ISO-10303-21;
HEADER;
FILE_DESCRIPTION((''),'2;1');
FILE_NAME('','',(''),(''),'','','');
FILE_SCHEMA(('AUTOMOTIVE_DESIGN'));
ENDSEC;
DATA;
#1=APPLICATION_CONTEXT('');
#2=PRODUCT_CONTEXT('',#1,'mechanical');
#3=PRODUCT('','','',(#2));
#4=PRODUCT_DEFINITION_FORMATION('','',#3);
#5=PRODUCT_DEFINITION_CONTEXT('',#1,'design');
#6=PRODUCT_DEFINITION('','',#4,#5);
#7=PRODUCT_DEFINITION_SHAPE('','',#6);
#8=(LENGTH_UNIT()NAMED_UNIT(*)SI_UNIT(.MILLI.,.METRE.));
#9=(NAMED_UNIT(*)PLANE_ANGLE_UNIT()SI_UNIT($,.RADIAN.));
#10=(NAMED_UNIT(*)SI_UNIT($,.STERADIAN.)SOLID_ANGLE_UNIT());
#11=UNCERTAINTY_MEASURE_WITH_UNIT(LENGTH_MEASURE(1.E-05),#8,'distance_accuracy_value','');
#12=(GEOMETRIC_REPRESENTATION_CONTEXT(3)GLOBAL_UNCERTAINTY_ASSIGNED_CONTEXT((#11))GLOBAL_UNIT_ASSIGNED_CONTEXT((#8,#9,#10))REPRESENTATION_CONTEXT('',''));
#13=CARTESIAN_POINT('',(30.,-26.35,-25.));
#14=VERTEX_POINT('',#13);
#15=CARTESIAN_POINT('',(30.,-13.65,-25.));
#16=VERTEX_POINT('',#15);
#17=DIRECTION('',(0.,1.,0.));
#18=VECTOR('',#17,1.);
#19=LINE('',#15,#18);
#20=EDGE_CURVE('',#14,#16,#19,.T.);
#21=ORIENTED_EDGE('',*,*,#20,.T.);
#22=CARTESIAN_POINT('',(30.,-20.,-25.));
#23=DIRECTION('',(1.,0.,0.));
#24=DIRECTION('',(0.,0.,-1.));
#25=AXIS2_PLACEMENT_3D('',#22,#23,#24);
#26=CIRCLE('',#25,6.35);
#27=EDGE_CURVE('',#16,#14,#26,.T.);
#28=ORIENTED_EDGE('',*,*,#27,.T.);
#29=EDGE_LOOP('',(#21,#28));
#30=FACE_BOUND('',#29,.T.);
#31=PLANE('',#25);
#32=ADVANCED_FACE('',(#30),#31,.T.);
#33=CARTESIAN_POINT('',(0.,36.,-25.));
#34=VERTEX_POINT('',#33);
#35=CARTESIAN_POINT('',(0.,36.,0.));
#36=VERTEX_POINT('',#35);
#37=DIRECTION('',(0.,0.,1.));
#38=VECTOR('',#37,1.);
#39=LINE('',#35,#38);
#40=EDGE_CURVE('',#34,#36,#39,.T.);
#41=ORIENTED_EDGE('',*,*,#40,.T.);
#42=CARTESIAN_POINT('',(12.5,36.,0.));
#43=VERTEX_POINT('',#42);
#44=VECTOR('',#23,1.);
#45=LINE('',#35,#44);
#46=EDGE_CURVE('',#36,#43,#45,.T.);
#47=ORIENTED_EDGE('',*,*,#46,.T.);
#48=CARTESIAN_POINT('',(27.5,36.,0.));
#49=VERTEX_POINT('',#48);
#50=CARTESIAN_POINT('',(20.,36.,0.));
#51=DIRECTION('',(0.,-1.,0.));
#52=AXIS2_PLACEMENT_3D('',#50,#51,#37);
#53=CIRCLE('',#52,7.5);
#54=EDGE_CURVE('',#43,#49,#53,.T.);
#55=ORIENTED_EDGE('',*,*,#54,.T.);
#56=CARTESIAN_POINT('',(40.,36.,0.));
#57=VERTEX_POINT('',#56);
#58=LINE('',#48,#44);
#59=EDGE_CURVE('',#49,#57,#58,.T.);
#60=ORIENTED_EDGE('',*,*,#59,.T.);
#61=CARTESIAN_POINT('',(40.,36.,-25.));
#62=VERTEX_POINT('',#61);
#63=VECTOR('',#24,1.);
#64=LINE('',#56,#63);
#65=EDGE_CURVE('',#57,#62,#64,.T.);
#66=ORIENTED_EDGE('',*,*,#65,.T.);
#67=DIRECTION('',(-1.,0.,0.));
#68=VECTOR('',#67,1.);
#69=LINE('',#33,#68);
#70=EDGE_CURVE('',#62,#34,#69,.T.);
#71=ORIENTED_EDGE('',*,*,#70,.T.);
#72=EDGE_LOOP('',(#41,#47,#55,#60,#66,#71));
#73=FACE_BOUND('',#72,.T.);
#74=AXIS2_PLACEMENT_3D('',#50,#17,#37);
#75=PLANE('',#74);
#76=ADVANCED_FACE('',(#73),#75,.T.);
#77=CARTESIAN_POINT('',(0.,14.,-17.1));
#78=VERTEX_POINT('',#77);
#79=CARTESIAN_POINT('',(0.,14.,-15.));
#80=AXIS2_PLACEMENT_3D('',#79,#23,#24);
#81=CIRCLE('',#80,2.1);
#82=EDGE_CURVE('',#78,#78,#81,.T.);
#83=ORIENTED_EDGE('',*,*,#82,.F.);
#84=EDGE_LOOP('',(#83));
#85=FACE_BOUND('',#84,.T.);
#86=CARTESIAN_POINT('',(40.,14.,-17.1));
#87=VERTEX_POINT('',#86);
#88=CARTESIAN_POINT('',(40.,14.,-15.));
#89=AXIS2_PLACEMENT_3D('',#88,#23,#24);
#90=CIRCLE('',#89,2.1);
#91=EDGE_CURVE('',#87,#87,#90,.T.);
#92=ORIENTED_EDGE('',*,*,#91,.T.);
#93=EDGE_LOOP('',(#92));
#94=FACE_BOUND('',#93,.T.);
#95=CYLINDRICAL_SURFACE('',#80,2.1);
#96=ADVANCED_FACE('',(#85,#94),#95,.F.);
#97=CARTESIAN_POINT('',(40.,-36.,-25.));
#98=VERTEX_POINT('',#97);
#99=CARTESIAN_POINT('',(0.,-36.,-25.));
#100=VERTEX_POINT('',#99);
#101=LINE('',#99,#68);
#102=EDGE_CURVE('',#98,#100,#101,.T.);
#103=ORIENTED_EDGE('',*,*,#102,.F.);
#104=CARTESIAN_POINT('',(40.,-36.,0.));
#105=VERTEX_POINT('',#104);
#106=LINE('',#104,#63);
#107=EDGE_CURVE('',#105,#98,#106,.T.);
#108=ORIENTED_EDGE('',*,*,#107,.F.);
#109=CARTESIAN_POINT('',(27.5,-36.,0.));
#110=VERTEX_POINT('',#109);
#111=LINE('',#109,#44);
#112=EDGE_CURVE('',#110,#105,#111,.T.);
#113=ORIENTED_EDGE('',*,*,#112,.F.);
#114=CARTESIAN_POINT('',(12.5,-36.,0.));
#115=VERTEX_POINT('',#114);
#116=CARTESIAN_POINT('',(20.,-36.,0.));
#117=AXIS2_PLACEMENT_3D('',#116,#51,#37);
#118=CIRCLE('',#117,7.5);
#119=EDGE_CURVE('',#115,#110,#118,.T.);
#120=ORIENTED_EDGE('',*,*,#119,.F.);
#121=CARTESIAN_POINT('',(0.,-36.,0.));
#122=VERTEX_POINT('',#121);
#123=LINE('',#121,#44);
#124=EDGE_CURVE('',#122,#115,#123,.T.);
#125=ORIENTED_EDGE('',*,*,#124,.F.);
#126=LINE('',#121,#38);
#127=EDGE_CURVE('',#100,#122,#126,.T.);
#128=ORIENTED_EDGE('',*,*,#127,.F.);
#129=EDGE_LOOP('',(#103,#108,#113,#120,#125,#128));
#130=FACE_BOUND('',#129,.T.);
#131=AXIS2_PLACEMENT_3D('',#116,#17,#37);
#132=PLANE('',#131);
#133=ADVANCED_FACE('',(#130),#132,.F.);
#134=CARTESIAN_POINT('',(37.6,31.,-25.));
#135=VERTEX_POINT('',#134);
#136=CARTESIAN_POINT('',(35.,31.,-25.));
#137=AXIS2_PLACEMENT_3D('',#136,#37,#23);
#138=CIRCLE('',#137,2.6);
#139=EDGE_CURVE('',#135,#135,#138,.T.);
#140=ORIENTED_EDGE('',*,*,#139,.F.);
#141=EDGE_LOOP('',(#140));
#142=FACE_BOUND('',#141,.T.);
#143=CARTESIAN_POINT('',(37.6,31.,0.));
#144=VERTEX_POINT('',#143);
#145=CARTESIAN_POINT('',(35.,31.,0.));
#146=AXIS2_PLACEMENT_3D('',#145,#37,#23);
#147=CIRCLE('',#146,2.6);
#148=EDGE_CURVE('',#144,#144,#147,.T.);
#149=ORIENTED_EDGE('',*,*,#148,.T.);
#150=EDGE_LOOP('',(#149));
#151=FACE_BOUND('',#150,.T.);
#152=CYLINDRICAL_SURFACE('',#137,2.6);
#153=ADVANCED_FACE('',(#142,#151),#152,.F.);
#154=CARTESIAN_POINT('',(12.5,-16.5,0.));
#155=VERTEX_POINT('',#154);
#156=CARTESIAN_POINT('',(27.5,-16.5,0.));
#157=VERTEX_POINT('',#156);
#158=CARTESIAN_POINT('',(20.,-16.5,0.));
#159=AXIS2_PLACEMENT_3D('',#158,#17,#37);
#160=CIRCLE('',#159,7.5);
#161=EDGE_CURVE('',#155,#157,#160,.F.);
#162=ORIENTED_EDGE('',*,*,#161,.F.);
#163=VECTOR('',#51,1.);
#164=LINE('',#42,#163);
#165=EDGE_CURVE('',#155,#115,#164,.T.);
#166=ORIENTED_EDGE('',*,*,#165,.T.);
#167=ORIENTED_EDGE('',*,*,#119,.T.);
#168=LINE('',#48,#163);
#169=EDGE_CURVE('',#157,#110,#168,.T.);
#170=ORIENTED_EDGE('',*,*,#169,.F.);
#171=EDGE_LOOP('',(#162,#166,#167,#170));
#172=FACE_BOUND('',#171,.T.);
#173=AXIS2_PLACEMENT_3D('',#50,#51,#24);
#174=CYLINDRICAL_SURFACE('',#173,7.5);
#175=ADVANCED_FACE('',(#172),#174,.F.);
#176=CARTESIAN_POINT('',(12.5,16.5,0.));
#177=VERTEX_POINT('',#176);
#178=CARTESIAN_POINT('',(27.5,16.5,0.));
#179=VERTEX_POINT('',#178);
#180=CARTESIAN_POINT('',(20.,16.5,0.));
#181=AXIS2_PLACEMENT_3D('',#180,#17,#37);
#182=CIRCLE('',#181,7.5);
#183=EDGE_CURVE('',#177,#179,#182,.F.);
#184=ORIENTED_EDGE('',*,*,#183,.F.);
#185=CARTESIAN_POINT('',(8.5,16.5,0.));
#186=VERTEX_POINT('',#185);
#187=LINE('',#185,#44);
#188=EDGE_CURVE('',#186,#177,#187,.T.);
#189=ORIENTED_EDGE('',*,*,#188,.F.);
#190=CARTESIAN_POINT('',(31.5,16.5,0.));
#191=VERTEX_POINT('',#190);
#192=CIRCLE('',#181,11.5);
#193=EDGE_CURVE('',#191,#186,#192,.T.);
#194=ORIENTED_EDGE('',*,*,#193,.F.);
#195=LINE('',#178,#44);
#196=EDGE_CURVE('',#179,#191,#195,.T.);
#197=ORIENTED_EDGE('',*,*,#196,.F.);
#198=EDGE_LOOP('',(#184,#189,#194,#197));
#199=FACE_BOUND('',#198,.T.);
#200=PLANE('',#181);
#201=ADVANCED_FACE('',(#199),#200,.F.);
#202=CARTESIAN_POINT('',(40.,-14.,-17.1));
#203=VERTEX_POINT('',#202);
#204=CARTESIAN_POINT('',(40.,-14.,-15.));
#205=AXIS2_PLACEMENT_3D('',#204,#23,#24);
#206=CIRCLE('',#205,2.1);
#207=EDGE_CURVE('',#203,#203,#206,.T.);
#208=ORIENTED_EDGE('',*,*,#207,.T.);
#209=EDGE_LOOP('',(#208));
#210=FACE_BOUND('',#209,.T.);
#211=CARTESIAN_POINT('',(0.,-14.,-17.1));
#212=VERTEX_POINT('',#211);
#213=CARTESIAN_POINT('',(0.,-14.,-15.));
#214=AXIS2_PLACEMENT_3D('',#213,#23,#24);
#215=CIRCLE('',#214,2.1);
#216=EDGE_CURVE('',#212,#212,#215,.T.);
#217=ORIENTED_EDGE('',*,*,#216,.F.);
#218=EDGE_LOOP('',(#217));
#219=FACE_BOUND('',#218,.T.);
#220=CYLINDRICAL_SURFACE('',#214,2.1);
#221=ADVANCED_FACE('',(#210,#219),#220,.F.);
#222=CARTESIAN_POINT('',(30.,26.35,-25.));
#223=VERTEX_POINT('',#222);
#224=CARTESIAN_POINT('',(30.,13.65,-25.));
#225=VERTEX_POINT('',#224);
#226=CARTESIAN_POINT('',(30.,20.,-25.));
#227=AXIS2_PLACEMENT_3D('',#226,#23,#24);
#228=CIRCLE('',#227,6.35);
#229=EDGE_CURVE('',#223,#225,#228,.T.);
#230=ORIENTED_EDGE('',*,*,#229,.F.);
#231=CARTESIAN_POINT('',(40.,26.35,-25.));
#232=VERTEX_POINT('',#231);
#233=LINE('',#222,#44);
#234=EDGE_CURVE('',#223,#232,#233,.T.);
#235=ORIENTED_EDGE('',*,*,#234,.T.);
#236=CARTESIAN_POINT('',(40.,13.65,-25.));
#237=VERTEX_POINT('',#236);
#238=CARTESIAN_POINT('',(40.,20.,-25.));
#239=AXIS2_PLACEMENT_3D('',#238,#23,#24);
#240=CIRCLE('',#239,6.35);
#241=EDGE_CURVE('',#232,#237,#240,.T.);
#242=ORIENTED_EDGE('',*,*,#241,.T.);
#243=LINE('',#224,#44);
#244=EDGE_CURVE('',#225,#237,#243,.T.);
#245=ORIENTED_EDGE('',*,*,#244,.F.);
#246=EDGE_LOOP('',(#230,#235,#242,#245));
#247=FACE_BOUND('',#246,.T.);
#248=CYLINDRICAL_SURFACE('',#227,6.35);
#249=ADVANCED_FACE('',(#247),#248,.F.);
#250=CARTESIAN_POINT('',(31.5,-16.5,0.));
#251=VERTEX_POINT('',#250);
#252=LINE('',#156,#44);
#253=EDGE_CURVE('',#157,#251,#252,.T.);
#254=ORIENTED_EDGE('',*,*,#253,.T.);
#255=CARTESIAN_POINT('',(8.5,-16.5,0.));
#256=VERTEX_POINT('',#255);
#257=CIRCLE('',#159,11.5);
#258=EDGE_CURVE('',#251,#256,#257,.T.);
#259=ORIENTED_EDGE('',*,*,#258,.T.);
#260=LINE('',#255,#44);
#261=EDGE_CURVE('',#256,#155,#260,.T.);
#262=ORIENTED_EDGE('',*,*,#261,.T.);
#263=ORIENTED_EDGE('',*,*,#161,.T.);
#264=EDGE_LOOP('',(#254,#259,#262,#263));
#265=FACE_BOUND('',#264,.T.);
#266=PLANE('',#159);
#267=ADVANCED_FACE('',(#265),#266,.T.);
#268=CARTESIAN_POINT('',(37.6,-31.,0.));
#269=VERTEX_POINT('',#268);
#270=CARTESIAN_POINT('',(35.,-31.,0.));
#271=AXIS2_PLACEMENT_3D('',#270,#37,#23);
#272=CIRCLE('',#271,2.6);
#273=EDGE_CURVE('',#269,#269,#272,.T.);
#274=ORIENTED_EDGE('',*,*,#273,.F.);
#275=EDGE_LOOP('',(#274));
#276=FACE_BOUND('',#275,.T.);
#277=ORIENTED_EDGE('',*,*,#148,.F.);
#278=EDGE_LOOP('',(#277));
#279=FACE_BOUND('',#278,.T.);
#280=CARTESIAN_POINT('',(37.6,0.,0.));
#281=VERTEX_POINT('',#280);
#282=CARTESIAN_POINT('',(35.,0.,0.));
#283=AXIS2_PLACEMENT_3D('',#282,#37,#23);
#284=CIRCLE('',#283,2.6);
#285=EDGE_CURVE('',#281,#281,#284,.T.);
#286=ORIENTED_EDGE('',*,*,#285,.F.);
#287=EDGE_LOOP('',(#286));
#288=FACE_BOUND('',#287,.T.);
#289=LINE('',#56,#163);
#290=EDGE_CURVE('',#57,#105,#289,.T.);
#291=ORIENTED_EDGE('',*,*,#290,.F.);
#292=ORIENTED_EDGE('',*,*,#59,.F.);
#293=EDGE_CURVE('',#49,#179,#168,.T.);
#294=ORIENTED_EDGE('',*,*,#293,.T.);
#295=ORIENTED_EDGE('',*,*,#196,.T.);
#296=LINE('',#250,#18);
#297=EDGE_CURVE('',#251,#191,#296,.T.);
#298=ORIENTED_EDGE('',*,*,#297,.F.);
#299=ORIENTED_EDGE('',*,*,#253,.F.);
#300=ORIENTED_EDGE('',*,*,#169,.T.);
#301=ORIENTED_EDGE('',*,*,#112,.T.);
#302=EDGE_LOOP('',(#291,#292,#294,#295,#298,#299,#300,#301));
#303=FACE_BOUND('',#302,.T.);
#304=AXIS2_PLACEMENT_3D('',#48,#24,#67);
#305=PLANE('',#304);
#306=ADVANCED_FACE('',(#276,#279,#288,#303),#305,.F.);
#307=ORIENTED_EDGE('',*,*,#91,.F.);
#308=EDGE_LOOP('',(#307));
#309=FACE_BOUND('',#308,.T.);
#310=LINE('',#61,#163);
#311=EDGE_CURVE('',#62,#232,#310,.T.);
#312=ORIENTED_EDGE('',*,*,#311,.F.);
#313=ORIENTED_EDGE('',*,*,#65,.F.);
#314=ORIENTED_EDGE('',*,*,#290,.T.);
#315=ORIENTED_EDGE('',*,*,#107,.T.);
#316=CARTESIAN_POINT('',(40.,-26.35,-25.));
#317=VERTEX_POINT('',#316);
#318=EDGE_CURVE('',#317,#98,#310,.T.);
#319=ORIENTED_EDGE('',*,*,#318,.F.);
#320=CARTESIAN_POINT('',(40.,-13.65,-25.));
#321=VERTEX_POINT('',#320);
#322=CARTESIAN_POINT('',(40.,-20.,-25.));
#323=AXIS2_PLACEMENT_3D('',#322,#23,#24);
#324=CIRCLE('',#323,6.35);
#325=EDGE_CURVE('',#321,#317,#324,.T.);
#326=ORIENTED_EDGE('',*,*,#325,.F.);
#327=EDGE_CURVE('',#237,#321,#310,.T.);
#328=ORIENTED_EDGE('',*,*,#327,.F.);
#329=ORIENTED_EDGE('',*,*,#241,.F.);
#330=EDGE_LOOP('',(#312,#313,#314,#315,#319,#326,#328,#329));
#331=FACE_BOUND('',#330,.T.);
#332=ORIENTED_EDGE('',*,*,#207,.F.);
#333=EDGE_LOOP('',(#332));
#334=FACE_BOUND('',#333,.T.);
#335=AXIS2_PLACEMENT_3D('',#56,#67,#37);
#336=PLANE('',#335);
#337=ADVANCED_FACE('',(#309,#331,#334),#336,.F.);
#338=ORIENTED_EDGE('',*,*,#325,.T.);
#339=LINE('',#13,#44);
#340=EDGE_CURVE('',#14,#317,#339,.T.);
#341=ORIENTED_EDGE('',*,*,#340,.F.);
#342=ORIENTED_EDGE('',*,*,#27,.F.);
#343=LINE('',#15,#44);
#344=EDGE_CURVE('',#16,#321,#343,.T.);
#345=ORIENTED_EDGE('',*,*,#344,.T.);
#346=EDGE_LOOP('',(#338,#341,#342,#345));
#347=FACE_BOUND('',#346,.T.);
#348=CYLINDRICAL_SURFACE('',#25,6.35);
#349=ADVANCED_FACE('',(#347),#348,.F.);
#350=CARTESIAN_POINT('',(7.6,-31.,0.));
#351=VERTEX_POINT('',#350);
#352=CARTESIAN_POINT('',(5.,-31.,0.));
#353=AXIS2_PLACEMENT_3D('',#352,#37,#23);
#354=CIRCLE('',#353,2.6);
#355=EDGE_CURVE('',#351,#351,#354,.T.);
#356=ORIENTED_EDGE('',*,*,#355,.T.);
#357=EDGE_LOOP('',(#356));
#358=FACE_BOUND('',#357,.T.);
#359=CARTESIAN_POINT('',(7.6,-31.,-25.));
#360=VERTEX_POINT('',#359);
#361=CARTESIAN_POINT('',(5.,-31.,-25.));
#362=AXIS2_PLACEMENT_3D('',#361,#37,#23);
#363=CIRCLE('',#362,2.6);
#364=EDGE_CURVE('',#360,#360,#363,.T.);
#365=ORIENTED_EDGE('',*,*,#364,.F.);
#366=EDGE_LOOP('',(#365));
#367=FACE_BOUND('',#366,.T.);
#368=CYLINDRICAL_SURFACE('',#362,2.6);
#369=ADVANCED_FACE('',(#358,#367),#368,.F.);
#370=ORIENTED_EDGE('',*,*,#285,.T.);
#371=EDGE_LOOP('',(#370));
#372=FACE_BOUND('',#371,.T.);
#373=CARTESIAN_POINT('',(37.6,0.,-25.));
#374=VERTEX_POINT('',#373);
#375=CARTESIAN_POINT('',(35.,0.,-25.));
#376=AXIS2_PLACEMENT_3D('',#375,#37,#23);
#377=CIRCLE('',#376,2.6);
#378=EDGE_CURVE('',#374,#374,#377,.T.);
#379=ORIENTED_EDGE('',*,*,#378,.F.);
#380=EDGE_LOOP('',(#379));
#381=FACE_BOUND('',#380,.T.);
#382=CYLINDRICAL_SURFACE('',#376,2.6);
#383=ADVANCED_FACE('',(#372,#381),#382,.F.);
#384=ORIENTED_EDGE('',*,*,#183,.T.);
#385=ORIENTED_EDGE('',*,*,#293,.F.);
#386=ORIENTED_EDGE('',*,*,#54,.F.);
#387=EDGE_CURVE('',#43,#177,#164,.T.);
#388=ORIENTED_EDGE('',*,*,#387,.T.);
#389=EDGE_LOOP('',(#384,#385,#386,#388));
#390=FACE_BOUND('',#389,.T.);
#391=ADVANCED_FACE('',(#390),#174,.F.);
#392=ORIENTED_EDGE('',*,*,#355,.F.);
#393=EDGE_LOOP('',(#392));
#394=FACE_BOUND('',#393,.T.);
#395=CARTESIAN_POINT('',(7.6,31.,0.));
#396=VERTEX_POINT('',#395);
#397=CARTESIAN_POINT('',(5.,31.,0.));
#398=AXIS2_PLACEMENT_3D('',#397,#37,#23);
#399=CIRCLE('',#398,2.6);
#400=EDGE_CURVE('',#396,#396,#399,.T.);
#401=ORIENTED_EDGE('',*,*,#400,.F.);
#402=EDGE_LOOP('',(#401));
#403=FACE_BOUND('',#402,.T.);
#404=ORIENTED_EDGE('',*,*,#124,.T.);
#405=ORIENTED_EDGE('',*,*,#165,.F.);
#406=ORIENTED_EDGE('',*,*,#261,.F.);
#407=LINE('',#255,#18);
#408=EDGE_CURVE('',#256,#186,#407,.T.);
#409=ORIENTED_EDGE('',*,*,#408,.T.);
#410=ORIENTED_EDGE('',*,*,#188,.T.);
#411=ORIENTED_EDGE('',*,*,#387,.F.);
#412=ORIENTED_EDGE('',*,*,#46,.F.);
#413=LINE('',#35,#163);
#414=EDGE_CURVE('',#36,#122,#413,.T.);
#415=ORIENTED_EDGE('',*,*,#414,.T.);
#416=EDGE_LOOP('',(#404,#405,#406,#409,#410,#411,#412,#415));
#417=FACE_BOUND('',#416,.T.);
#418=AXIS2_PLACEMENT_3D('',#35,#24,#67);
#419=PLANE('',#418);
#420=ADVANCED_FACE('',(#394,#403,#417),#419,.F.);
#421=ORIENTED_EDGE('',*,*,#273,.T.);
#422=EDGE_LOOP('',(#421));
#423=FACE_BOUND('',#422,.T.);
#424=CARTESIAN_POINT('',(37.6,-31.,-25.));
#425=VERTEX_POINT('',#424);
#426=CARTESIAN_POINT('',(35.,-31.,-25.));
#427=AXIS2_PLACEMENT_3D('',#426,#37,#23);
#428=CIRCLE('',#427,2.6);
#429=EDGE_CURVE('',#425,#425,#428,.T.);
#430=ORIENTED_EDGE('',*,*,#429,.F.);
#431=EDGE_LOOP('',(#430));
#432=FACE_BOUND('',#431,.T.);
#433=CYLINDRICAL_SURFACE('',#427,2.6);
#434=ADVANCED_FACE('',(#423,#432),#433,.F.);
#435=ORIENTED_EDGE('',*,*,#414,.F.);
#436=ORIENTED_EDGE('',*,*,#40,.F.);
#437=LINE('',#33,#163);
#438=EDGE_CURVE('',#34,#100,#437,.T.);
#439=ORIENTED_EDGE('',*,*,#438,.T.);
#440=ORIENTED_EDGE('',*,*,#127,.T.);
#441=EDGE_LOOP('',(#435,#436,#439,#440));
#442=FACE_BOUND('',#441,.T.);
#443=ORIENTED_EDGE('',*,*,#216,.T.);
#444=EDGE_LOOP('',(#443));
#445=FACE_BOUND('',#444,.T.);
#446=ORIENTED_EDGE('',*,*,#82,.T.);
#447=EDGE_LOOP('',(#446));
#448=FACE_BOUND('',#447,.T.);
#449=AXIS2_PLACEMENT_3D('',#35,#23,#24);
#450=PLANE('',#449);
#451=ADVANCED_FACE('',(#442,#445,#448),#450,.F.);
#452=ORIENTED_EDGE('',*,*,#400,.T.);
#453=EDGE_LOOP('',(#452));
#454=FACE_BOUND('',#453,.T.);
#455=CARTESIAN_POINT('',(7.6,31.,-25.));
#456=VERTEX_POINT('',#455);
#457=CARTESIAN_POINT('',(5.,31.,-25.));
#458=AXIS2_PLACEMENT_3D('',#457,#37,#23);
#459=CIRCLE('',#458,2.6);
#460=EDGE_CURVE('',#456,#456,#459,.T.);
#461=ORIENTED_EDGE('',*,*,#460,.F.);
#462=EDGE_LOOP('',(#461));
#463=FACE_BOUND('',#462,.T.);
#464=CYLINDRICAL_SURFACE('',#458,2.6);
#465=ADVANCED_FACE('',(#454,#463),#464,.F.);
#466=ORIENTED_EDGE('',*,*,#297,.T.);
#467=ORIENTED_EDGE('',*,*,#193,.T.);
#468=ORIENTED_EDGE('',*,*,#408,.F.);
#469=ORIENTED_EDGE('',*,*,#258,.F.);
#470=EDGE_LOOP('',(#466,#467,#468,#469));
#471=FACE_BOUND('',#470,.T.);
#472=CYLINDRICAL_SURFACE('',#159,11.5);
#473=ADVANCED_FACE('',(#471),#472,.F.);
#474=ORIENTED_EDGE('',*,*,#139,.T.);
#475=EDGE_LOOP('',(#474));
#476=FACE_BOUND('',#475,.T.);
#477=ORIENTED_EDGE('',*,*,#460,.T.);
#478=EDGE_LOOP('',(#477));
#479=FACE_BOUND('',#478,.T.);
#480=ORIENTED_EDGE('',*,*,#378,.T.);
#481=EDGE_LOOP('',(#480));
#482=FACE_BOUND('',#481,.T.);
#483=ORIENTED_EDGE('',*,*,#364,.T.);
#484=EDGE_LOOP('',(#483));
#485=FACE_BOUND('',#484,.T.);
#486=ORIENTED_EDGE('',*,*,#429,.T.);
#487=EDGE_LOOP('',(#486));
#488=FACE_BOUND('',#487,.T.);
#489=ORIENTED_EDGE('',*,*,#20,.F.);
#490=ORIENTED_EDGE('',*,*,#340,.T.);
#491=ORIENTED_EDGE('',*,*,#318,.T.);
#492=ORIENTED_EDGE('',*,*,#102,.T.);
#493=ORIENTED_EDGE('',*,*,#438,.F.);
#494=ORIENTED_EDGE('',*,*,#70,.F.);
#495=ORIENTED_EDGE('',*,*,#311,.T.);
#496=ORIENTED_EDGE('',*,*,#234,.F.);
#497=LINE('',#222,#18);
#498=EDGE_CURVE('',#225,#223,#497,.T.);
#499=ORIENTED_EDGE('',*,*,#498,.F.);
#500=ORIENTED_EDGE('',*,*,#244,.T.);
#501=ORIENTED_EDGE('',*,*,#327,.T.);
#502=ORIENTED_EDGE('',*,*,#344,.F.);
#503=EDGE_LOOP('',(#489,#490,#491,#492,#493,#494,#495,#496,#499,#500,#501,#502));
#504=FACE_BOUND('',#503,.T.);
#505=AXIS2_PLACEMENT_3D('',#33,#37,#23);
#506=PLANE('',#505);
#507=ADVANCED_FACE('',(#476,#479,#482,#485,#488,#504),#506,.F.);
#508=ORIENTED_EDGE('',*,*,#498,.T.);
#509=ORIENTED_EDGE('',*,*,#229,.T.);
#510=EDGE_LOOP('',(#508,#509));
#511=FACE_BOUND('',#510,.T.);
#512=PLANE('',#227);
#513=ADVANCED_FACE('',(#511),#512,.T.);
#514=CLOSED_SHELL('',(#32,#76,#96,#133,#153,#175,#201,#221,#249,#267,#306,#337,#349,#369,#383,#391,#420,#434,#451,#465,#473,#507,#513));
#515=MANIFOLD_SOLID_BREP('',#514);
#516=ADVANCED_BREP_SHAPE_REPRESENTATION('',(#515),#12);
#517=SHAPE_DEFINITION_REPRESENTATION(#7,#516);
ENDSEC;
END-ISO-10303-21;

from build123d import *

# Parameters (mm, degrees)
BOSS_EXTRUDE1_DEPTH = 36
CUT_EXTRUDE1_DEPTH  = 16.5
CUT_EXTRUDE2_DEPTH  = 10
SKETCH4_R           = 2.1
CUT_EXTRUDE3_DEPTH  = 60.338014797
SKETCH5_R           = 2.6
CUT_EXTRUDE4_DEPTH  = 60.338014797


with BuildPart() as part:
    # Sketch1 → Boss-Extrude1 (new, symmetric)
    with BuildSketch(Plane(origin=(0, 0, 0), x_dir=(1, 0, 0), z_dir=(0, 1, 0))):
        with BuildLine():
            Line((27.5, 0), (40, 0))
            Line((40, 0), (40, 25))
            Line((40, 25), (0, 25))
            Line((0, 25), (0, 0))
            Line((0, 0), (12.5, 0))
            ThreePointArc((12.5, 0), (20, 7.5), (27.5, 0))
        make_face()
    extrude(amount=BOSS_EXTRUDE1_DEPTH, both=True)

    # Sketch2 → Cut-Extrude1 (cut, symmetric)
    with BuildSketch(Plane(origin=(0, 0, 0), x_dir=(1, 0, 0), z_dir=(0, 1, 0))):
        with BuildLine():
            Line((8.5, 0), (31.5, 0))
            ThreePointArc((31.5, 0), (20, 11.5), (8.5, 0))
        make_face()
    extrude(amount=CUT_EXTRUDE1_DEPTH, both=True, mode=Mode.SUBTRACT)

    # Sketch3 → Cut-Extrude2 (cut)
    with BuildSketch(Plane(origin=(40, 0, 0), x_dir=(0, 0, -1), z_dir=(1, 0, 0))):
        with BuildLine():
            Line((25, 26.35), (25, 13.65))
            ThreePointArc((25, 13.65), (18.65, 20), (25, 26.35))
        make_face()
        with BuildLine():
            Line((25, -13.65), (25, -26.35))
            ThreePointArc((25, -26.35), (18.65, -20), (25, -13.65))
        make_face()
    extrude(amount=-CUT_EXTRUDE2_DEPTH, mode=Mode.SUBTRACT)

    # Sketch4 → Cut-Extrude3 (cut, through all)
    with BuildSketch(Plane(origin=(40, 0, 0), x_dir=(0, 0, -1), z_dir=(1, 0, 0))):
        with Locations((15, 14)):
            Circle(SKETCH4_R)
        with Locations((15, -14)):
            Circle(SKETCH4_R)
    extrude(amount=-CUT_EXTRUDE3_DEPTH, mode=Mode.SUBTRACT)

    # Sketch5 → Cut-Extrude4 (cut, through all)
    with BuildSketch(Plane.XY):
        with Locations((5, 31)):
            Circle(SKETCH5_R)
        with Locations((35, 31)):
            Circle(SKETCH5_R)
        with Locations((35, -31)):
            Circle(SKETCH5_R)
        with Locations((5, -31)):
            Circle(SKETCH5_R)
        with Locations((35, 0)):
            Circle(SKETCH5_R)
    extrude(amount=-CUT_EXTRUDE4_DEPTH, mode=Mode.SUBTRACT)


solid = part.part
